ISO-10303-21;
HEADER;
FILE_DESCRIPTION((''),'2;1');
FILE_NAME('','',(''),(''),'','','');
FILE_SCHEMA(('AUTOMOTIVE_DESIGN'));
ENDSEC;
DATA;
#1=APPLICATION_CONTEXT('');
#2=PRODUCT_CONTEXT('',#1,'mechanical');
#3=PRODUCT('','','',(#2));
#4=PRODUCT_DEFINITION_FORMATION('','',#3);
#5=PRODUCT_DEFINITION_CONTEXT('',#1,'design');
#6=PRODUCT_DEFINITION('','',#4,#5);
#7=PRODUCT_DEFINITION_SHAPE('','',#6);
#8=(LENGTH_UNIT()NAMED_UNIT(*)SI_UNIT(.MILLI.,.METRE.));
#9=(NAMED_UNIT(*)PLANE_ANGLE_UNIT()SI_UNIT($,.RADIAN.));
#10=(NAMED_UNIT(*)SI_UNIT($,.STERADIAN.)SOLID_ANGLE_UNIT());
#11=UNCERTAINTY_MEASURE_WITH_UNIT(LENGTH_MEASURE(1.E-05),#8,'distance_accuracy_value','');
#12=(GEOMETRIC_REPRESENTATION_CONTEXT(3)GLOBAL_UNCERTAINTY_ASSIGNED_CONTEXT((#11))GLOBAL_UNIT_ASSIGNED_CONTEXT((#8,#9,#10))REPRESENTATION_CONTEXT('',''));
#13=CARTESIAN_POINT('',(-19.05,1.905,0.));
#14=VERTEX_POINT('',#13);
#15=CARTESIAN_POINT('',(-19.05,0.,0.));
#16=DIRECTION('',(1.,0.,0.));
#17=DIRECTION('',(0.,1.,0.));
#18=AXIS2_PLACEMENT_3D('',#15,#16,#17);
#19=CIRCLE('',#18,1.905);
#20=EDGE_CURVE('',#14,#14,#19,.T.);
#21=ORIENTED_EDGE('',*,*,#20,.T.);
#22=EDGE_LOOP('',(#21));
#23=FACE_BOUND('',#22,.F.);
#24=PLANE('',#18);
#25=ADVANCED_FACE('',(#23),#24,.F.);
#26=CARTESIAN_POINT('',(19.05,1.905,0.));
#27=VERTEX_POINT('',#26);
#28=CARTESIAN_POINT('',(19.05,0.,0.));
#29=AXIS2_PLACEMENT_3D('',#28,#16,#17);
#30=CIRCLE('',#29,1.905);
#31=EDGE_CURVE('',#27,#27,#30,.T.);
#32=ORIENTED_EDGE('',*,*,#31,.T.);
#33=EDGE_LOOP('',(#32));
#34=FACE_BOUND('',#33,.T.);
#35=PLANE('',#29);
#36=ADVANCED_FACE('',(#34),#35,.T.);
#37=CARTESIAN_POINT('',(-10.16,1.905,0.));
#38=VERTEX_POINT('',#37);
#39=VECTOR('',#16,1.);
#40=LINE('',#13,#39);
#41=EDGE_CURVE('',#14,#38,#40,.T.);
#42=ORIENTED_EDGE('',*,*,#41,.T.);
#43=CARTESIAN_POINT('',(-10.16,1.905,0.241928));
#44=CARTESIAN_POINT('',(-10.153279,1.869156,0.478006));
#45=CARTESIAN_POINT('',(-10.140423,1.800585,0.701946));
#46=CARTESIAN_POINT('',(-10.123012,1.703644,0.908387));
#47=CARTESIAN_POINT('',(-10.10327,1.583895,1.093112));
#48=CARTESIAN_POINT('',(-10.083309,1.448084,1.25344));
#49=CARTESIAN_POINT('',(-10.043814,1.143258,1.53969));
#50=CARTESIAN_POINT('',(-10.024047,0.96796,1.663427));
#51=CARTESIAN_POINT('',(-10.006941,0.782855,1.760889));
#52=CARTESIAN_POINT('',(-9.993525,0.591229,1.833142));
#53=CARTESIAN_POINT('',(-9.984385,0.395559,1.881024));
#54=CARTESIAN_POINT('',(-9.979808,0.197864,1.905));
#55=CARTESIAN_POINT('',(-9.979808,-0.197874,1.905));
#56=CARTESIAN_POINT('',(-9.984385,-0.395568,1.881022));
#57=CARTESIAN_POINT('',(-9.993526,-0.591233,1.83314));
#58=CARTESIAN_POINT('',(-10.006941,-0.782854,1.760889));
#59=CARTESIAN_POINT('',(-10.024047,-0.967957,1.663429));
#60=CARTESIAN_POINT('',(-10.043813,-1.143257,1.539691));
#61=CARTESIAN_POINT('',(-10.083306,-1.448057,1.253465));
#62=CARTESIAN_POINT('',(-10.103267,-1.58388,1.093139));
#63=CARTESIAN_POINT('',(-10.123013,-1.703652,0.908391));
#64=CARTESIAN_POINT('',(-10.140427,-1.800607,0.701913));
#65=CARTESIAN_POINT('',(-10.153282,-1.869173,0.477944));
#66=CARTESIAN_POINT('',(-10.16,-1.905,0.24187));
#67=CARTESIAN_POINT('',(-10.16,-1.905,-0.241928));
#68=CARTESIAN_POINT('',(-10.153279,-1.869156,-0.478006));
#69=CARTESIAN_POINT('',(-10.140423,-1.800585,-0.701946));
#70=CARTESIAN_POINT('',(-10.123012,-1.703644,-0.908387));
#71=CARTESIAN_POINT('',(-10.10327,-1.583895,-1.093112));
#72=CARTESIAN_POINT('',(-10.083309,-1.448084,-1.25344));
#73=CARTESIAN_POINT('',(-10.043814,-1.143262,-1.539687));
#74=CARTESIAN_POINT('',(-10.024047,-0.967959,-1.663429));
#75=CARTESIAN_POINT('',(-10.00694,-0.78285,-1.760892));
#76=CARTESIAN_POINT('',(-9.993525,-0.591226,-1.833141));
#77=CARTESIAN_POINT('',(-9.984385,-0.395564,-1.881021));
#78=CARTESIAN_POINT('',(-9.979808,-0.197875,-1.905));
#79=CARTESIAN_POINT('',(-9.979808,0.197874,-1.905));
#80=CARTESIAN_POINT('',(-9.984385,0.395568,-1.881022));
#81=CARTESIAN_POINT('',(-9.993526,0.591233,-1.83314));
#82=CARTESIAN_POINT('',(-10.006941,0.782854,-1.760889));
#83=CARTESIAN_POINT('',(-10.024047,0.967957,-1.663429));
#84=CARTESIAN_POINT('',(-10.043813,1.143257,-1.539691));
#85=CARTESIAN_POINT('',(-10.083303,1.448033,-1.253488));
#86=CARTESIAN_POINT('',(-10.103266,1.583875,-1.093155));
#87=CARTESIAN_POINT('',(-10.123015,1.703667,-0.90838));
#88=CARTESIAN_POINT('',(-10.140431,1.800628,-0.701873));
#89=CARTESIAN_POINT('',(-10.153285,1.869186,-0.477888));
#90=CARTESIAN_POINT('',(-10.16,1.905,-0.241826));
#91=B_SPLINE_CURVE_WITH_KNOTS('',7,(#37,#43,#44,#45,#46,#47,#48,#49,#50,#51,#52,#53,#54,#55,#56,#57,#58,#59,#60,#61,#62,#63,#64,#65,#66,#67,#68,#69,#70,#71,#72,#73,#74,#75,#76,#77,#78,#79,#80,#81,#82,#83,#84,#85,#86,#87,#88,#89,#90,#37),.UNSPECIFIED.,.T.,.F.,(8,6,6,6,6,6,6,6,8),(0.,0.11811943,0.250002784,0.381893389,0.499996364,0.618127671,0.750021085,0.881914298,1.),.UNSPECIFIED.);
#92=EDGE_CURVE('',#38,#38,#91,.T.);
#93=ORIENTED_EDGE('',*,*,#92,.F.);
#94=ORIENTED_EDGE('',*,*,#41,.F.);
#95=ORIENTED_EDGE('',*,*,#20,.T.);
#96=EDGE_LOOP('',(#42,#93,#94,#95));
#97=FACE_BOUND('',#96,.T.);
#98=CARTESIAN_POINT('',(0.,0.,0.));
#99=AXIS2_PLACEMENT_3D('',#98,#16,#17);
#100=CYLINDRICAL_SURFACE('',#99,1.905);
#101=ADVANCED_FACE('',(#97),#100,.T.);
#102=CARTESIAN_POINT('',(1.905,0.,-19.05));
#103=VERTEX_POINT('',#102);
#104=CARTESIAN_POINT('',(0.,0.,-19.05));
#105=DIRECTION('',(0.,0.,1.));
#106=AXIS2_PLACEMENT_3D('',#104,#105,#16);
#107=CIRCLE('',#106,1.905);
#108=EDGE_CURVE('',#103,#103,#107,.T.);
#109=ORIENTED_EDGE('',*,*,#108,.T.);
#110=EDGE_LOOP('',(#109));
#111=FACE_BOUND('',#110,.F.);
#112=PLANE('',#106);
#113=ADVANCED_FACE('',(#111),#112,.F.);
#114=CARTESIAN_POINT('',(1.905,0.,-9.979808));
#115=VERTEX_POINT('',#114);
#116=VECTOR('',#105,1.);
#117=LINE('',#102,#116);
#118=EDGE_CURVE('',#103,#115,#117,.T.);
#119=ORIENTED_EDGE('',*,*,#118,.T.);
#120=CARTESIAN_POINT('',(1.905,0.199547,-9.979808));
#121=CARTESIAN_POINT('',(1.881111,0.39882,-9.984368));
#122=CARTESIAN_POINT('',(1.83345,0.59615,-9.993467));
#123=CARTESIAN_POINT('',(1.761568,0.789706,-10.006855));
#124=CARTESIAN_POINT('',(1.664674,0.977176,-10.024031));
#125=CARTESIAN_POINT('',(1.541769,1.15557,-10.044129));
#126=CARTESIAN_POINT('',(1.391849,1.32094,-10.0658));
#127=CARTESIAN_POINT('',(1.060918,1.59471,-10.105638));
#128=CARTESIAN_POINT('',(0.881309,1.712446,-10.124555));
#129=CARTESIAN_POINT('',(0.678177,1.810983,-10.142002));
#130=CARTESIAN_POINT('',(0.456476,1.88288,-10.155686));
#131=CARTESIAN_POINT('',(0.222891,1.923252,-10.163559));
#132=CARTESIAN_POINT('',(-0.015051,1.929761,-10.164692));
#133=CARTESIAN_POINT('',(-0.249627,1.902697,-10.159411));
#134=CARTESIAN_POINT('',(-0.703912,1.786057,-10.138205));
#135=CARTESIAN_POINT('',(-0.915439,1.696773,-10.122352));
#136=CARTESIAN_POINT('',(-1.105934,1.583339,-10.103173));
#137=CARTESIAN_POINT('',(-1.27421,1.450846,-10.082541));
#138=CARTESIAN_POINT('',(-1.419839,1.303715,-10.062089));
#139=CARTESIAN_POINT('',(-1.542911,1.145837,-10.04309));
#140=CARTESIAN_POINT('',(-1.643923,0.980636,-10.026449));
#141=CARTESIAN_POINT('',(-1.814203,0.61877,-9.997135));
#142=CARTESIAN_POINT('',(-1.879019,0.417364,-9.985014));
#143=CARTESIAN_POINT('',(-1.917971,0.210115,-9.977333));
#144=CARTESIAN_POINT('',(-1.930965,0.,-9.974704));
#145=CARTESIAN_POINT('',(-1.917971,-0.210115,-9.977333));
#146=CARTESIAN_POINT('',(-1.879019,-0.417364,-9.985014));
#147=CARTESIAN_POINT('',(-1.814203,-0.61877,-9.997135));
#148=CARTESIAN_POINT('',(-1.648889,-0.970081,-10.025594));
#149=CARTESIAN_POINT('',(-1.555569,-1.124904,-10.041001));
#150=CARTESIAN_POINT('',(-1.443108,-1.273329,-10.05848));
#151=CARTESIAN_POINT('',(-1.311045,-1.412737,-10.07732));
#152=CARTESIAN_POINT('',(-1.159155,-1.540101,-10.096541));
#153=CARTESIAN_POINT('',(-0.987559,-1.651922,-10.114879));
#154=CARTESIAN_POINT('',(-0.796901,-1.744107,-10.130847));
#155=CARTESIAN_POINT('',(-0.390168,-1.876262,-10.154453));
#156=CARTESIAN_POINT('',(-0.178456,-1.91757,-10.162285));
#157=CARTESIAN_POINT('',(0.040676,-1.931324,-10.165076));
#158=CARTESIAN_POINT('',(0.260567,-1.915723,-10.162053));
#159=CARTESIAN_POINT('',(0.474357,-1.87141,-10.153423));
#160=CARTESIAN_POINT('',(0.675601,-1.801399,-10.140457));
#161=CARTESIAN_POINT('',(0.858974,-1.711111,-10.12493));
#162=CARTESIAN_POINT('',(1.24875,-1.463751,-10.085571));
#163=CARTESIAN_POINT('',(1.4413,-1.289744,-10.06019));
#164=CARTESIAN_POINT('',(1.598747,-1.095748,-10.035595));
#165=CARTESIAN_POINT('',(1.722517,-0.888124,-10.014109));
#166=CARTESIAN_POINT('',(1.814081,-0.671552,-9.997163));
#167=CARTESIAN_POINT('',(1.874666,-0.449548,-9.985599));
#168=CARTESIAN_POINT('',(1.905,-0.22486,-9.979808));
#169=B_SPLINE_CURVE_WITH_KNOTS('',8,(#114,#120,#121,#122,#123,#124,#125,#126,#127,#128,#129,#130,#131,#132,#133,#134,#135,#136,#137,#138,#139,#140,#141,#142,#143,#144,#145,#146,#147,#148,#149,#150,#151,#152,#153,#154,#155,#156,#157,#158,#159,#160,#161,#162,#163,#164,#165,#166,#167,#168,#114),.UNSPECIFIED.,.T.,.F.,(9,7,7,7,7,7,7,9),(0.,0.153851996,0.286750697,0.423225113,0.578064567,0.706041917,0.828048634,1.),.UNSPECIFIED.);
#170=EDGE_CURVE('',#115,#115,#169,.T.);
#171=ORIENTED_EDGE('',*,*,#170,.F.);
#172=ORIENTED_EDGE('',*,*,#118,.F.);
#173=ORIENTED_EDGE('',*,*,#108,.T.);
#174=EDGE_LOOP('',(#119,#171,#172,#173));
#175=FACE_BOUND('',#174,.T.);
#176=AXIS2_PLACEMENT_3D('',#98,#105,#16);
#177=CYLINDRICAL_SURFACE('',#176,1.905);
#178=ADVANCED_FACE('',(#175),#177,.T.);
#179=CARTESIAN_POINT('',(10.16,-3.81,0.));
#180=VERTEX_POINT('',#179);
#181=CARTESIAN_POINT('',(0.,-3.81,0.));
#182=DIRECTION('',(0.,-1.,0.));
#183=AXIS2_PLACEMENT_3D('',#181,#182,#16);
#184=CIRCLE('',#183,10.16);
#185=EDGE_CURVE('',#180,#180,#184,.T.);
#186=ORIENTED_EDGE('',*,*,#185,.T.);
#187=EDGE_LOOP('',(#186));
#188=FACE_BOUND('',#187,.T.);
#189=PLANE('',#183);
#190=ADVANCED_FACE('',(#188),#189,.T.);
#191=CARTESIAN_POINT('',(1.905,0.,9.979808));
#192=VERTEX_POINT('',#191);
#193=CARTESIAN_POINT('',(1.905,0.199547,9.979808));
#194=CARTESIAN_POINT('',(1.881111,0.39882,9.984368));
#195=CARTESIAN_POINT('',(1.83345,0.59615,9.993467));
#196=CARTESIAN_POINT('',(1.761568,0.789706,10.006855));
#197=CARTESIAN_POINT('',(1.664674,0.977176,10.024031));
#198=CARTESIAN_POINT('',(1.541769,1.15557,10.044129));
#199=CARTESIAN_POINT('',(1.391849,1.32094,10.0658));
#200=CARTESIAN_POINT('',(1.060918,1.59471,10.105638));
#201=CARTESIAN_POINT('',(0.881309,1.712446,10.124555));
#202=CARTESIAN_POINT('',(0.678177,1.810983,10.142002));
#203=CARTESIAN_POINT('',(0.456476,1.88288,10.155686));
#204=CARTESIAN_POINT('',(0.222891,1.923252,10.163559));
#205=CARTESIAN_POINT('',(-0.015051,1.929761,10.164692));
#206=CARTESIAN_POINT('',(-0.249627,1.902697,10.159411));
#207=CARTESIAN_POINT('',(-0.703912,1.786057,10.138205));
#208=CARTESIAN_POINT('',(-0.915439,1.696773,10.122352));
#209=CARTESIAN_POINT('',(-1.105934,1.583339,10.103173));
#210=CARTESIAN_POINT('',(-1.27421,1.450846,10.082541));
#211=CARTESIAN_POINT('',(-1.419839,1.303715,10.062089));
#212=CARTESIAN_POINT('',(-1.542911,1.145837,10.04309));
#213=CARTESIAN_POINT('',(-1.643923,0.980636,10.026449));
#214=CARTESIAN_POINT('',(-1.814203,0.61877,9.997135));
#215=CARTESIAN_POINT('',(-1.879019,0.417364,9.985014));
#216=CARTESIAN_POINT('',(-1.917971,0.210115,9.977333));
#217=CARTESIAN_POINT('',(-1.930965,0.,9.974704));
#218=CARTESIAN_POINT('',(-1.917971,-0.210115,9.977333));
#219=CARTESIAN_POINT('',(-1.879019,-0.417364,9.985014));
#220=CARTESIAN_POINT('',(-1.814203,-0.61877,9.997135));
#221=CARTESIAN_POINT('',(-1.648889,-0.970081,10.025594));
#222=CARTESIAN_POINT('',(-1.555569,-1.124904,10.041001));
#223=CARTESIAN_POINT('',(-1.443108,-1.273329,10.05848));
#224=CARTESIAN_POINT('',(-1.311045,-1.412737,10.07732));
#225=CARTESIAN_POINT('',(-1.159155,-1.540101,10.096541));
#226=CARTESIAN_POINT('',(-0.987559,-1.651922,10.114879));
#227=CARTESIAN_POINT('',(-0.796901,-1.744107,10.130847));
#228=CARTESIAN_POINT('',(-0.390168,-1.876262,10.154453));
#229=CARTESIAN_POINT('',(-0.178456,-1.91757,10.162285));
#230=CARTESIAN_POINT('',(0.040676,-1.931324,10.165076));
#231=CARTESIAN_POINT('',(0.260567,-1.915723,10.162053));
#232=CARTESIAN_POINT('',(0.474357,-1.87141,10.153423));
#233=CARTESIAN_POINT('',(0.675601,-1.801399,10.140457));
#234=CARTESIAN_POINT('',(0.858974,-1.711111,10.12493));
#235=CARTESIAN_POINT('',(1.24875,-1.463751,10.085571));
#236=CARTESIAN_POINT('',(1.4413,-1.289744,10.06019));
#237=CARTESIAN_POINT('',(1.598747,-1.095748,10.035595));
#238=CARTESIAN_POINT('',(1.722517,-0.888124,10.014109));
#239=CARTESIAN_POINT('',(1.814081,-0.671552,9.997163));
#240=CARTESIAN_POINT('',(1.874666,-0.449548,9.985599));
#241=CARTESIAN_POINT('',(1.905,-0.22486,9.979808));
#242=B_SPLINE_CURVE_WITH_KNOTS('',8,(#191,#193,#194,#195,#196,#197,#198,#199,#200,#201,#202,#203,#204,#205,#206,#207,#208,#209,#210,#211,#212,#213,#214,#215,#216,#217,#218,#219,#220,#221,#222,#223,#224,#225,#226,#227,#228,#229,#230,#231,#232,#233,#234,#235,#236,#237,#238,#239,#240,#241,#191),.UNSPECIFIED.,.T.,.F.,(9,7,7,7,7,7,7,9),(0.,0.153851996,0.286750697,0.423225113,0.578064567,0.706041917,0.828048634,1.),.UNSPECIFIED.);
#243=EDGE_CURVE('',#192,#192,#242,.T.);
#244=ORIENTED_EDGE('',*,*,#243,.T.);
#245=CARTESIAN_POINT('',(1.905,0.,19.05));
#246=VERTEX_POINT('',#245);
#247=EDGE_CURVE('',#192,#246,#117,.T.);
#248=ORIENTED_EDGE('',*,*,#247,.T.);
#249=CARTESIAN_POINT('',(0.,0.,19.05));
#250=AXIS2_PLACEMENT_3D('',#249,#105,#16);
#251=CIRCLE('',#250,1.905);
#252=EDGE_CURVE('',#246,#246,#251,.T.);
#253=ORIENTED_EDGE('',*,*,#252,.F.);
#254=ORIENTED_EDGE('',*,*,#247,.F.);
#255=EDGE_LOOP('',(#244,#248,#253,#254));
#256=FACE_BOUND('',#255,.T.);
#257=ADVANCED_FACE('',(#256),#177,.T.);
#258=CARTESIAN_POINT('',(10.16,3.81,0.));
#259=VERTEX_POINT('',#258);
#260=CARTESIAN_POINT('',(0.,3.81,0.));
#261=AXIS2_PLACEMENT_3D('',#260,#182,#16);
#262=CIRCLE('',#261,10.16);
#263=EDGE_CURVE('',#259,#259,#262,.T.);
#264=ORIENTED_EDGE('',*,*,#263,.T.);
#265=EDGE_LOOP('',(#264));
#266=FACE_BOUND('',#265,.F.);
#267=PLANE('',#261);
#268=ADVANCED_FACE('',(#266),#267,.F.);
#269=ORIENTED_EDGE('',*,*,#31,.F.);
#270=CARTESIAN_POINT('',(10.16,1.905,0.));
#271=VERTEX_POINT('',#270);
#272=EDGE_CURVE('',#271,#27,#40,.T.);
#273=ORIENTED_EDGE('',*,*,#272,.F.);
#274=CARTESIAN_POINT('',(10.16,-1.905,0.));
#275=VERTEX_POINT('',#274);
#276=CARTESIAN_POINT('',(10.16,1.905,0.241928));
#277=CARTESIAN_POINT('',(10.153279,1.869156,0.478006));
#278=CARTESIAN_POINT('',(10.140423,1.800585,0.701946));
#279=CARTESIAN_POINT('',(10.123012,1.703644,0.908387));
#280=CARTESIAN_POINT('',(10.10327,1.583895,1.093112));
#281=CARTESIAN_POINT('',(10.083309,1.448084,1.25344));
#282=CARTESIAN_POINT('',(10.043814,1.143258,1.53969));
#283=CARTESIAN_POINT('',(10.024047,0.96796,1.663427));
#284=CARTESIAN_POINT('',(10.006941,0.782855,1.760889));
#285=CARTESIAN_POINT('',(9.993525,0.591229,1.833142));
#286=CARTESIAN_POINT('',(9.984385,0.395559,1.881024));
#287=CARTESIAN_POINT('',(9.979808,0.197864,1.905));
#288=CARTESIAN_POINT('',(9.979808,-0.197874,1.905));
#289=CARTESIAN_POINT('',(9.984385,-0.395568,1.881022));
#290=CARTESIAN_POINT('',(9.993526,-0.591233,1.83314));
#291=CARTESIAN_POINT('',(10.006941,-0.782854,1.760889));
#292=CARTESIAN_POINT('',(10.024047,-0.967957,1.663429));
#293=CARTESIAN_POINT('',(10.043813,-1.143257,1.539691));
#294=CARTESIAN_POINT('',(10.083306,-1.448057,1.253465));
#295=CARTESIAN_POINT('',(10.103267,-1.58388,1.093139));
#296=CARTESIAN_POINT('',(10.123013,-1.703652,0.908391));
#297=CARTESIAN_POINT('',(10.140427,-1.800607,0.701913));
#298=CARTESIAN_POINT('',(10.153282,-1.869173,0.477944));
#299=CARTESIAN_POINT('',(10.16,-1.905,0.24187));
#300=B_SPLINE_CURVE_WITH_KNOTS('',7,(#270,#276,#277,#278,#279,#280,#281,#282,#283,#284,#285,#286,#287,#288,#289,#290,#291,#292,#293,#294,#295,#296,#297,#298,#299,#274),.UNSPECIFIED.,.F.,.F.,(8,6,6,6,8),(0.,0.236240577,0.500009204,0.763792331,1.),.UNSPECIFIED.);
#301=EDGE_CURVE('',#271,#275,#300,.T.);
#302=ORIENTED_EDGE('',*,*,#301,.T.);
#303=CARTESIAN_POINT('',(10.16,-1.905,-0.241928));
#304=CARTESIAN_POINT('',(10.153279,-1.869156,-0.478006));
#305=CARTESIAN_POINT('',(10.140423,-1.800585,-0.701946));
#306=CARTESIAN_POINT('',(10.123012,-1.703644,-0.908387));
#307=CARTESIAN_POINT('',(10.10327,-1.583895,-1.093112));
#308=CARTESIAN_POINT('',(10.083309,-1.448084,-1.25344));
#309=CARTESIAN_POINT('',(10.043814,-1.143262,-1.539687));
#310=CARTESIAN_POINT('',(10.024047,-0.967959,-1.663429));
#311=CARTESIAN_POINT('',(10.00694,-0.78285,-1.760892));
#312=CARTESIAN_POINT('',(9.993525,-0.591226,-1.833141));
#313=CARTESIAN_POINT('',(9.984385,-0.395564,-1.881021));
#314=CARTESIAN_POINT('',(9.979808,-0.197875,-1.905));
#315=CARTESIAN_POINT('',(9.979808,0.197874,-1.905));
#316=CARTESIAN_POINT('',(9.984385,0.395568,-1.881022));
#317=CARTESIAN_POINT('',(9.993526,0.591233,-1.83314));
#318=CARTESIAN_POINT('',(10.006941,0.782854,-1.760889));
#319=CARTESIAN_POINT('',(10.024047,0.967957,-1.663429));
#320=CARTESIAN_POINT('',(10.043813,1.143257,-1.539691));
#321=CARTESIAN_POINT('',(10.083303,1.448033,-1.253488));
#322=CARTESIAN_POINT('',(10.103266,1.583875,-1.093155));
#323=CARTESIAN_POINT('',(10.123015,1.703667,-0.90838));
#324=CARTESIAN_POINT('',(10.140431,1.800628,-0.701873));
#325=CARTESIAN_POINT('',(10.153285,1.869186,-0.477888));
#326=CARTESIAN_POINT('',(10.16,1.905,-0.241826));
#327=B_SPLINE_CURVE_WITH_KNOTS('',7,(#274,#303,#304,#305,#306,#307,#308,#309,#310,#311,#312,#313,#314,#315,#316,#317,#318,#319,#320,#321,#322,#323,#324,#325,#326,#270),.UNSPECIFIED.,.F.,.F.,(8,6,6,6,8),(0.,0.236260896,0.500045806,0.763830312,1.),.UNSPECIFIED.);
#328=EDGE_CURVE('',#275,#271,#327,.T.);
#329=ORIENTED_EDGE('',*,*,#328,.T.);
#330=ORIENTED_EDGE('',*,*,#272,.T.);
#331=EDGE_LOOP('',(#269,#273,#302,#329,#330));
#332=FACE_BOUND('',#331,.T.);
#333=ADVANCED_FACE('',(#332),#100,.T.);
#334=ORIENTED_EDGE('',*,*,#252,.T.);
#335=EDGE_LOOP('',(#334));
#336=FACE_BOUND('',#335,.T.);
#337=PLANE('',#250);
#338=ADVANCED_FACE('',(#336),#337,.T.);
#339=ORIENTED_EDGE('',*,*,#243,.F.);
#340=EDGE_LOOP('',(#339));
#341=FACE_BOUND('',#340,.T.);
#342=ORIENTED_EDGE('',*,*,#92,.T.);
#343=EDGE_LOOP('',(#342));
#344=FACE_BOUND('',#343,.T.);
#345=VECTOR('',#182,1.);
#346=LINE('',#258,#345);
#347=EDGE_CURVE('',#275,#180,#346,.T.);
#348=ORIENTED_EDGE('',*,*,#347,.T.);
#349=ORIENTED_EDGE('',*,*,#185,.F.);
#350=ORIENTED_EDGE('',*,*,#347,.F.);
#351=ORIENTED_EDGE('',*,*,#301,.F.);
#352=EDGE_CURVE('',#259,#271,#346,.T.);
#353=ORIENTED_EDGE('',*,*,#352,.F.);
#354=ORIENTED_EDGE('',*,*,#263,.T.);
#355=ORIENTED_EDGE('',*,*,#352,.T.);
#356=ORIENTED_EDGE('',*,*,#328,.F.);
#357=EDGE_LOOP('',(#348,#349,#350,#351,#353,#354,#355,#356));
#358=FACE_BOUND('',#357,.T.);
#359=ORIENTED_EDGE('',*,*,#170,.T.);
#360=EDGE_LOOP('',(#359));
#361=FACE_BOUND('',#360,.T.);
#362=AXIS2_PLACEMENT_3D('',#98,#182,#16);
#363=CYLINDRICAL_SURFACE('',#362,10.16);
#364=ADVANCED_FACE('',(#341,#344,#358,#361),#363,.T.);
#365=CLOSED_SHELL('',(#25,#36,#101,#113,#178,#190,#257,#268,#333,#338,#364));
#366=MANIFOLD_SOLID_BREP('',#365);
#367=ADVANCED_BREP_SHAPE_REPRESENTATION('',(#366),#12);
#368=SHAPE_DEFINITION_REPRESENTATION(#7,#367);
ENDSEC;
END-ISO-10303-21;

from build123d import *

# Parameters (mm, degrees)
F0_R     = 10.16
F1_DEPTH = 3.81
F2_R     = 1.905
F3_DEPTH = 19.05
F4_R     = 1.905
F5_DEPTH = 19.05


with BuildPart() as f1:
    # F0 (on Front) → F1 (new body, symmetric)
    with BuildSketch(Plane.XZ):
        Circle(F0_R)
    extrude(amount=F1_DEPTH, both=True)

    # F2 (on Top) → F3 (join, symmetric)
    with BuildSketch(Plane.XY):
        Circle(F2_R)
    extrude(amount=F3_DEPTH, both=True)

    # F4 (on Right) → F5 (join, symmetric)
    with BuildSketch(Plane.YZ):
        Circle(F4_R)
    extrude(amount=F5_DEPTH, both=True)


solid = f1.part
